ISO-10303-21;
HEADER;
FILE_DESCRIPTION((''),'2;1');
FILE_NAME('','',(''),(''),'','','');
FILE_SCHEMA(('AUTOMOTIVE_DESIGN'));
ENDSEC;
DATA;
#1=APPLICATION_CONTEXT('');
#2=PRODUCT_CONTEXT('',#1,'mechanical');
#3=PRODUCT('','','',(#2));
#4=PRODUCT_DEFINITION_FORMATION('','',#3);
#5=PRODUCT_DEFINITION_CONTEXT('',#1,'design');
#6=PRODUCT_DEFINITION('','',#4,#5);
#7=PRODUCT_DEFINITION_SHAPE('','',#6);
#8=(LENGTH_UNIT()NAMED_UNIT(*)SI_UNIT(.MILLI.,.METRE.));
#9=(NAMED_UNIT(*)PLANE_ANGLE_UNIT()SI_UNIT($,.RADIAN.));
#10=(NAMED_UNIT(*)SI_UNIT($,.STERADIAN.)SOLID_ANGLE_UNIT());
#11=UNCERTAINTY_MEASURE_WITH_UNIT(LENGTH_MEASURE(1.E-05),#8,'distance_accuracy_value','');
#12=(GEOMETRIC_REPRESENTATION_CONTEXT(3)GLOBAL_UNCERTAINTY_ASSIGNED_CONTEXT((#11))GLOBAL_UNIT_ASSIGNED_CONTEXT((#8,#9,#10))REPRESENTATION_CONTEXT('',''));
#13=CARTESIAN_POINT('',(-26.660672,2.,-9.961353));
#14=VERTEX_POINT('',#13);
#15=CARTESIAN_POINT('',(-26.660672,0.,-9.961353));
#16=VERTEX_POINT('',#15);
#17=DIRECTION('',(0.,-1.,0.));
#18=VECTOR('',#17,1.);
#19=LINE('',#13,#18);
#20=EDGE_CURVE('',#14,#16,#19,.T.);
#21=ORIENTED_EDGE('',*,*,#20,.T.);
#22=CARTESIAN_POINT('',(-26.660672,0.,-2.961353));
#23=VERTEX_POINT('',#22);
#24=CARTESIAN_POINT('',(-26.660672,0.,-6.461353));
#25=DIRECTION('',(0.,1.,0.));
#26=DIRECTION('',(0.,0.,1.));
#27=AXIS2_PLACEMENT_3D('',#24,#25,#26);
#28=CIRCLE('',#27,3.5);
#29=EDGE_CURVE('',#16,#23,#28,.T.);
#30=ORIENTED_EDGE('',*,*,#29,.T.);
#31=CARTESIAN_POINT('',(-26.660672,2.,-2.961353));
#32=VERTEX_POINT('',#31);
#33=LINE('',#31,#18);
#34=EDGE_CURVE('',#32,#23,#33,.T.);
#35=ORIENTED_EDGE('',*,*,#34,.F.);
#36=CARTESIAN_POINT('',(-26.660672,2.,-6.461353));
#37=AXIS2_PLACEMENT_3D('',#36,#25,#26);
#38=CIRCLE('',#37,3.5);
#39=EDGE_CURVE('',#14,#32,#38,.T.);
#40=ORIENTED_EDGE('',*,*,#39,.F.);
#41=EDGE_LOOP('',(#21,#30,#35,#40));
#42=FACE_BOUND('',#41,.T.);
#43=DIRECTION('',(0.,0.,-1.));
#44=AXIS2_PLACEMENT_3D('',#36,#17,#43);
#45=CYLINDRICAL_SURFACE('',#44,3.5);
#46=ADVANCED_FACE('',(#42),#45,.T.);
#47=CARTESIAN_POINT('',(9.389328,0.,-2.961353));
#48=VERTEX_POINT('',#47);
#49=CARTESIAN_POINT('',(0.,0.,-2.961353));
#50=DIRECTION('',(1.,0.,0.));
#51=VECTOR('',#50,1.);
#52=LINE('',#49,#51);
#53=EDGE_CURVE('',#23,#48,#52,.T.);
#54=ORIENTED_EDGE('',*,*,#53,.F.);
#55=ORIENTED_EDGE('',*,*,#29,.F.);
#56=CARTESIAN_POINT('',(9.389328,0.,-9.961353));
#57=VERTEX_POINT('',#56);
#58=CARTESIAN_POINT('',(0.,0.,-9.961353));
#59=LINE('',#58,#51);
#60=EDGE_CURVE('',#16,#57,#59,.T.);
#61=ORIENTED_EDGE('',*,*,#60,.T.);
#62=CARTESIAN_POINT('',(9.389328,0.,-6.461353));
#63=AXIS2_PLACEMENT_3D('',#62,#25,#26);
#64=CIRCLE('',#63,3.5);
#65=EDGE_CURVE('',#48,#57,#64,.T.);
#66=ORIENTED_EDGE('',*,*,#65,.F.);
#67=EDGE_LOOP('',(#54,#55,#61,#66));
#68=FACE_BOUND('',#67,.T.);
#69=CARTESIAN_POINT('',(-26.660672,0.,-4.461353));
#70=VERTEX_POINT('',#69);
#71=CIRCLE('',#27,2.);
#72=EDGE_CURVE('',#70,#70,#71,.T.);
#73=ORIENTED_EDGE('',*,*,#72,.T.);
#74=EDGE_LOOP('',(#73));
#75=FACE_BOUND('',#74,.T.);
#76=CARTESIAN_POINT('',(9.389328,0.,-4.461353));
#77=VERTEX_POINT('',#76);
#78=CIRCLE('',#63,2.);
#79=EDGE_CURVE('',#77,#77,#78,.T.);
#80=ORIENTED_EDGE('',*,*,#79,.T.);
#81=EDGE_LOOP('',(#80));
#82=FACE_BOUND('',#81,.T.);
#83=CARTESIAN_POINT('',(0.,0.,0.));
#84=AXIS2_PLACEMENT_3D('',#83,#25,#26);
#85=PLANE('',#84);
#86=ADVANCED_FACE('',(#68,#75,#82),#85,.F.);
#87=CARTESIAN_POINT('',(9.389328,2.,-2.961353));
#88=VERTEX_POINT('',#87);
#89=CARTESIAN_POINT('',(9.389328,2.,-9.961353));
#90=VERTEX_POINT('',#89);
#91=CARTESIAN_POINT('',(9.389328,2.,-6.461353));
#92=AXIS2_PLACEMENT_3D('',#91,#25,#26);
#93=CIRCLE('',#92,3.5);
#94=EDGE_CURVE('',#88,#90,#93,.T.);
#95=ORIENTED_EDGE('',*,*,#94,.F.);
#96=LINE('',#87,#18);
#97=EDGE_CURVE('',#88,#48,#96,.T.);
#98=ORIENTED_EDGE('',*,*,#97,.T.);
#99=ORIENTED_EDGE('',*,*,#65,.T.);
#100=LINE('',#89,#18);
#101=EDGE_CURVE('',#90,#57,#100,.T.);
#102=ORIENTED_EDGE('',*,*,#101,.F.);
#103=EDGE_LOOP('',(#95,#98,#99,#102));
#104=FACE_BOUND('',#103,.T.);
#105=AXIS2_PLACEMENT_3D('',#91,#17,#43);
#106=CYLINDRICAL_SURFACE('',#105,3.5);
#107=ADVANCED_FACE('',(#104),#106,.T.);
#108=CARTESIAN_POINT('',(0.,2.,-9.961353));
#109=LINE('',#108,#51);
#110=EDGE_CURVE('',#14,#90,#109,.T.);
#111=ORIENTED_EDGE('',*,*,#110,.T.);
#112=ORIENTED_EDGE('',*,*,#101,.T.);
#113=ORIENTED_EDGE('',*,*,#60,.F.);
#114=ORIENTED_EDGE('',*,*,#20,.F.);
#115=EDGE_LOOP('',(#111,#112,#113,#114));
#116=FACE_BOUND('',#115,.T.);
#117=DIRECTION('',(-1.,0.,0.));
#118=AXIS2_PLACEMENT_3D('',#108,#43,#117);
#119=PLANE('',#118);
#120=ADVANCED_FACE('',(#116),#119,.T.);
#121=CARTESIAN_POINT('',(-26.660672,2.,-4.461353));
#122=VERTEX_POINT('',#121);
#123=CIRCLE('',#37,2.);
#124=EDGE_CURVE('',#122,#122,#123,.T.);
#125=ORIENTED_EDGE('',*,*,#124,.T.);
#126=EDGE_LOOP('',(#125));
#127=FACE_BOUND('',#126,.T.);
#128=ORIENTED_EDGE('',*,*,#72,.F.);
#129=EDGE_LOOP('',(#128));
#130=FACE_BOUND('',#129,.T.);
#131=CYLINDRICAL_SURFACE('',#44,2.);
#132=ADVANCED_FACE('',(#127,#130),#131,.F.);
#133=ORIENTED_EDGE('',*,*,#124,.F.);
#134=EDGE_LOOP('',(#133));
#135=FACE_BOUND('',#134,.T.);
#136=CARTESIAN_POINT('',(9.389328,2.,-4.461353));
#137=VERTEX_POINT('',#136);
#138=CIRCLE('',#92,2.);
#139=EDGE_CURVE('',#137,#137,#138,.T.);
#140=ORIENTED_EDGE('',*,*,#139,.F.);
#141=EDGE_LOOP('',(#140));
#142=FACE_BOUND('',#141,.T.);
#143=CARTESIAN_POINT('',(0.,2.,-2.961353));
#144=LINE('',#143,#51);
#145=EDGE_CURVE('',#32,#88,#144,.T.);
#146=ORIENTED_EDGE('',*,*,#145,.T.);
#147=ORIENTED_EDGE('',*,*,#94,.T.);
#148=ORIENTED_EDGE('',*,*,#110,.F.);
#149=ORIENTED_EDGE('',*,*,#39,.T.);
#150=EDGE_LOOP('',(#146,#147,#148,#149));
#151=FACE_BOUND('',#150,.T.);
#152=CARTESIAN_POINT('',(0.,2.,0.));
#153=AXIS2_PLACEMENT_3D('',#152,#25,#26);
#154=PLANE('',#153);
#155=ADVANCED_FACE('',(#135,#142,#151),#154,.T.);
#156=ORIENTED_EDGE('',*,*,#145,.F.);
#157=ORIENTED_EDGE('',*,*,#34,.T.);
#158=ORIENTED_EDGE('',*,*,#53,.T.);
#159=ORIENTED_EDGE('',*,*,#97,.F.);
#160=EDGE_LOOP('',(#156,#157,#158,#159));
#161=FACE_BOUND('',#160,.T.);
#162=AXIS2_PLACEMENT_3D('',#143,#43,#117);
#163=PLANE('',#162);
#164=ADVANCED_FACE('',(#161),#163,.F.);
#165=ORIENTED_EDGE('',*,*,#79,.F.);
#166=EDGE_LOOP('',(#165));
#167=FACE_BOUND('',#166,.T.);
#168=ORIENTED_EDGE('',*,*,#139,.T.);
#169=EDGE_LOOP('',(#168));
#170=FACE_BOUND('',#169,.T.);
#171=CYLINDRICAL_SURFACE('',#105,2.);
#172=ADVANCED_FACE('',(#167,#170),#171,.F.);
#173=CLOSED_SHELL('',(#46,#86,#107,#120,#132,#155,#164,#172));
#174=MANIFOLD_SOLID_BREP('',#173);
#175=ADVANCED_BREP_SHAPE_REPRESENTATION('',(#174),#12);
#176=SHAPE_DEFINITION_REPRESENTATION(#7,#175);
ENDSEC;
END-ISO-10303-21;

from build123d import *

# Parameters (mm, degrees)
SKETCH2_R           = 2
BOSS_EXTRUDE1_DEPTH = 2


with BuildPart() as part:
    # Sketch2 → Boss-Extrude1 (new body)
    with BuildSketch(Plane(origin=(0, 0, 0), x_dir=(1, 0, 0), z_dir=(0, 1, 0))):
        with BuildLine():
            Line((-26.66067196, 9.961352868), (9.38932804, 9.961352868))
            ThreePointArc((9.38932804, 9.961352868), (12.88932804, 6.461352868), (9.38932804, 2.961352868))
            Line((9.38932804, 2.961352868), (-26.66067196, 2.961352868))
            ThreePointArc((-26.66067196, 2.961352868), (-30.16067196, 6.461352868), (-26.66067196, 9.961352868))
        make_face()
        with Locations(Location((-26.66067196, 6.461352868, 0), (0, 0, 270))):
            Circle(SKETCH2_R, mode=Mode.SUBTRACT)
        with Locations(Location((9.38932804, 6.461352868, 0), (0, 0, 270))):
            Circle(SKETCH2_R, mode=Mode.SUBTRACT)
    extrude(amount=BOSS_EXTRUDE1_DEPTH)


solid = part.part
